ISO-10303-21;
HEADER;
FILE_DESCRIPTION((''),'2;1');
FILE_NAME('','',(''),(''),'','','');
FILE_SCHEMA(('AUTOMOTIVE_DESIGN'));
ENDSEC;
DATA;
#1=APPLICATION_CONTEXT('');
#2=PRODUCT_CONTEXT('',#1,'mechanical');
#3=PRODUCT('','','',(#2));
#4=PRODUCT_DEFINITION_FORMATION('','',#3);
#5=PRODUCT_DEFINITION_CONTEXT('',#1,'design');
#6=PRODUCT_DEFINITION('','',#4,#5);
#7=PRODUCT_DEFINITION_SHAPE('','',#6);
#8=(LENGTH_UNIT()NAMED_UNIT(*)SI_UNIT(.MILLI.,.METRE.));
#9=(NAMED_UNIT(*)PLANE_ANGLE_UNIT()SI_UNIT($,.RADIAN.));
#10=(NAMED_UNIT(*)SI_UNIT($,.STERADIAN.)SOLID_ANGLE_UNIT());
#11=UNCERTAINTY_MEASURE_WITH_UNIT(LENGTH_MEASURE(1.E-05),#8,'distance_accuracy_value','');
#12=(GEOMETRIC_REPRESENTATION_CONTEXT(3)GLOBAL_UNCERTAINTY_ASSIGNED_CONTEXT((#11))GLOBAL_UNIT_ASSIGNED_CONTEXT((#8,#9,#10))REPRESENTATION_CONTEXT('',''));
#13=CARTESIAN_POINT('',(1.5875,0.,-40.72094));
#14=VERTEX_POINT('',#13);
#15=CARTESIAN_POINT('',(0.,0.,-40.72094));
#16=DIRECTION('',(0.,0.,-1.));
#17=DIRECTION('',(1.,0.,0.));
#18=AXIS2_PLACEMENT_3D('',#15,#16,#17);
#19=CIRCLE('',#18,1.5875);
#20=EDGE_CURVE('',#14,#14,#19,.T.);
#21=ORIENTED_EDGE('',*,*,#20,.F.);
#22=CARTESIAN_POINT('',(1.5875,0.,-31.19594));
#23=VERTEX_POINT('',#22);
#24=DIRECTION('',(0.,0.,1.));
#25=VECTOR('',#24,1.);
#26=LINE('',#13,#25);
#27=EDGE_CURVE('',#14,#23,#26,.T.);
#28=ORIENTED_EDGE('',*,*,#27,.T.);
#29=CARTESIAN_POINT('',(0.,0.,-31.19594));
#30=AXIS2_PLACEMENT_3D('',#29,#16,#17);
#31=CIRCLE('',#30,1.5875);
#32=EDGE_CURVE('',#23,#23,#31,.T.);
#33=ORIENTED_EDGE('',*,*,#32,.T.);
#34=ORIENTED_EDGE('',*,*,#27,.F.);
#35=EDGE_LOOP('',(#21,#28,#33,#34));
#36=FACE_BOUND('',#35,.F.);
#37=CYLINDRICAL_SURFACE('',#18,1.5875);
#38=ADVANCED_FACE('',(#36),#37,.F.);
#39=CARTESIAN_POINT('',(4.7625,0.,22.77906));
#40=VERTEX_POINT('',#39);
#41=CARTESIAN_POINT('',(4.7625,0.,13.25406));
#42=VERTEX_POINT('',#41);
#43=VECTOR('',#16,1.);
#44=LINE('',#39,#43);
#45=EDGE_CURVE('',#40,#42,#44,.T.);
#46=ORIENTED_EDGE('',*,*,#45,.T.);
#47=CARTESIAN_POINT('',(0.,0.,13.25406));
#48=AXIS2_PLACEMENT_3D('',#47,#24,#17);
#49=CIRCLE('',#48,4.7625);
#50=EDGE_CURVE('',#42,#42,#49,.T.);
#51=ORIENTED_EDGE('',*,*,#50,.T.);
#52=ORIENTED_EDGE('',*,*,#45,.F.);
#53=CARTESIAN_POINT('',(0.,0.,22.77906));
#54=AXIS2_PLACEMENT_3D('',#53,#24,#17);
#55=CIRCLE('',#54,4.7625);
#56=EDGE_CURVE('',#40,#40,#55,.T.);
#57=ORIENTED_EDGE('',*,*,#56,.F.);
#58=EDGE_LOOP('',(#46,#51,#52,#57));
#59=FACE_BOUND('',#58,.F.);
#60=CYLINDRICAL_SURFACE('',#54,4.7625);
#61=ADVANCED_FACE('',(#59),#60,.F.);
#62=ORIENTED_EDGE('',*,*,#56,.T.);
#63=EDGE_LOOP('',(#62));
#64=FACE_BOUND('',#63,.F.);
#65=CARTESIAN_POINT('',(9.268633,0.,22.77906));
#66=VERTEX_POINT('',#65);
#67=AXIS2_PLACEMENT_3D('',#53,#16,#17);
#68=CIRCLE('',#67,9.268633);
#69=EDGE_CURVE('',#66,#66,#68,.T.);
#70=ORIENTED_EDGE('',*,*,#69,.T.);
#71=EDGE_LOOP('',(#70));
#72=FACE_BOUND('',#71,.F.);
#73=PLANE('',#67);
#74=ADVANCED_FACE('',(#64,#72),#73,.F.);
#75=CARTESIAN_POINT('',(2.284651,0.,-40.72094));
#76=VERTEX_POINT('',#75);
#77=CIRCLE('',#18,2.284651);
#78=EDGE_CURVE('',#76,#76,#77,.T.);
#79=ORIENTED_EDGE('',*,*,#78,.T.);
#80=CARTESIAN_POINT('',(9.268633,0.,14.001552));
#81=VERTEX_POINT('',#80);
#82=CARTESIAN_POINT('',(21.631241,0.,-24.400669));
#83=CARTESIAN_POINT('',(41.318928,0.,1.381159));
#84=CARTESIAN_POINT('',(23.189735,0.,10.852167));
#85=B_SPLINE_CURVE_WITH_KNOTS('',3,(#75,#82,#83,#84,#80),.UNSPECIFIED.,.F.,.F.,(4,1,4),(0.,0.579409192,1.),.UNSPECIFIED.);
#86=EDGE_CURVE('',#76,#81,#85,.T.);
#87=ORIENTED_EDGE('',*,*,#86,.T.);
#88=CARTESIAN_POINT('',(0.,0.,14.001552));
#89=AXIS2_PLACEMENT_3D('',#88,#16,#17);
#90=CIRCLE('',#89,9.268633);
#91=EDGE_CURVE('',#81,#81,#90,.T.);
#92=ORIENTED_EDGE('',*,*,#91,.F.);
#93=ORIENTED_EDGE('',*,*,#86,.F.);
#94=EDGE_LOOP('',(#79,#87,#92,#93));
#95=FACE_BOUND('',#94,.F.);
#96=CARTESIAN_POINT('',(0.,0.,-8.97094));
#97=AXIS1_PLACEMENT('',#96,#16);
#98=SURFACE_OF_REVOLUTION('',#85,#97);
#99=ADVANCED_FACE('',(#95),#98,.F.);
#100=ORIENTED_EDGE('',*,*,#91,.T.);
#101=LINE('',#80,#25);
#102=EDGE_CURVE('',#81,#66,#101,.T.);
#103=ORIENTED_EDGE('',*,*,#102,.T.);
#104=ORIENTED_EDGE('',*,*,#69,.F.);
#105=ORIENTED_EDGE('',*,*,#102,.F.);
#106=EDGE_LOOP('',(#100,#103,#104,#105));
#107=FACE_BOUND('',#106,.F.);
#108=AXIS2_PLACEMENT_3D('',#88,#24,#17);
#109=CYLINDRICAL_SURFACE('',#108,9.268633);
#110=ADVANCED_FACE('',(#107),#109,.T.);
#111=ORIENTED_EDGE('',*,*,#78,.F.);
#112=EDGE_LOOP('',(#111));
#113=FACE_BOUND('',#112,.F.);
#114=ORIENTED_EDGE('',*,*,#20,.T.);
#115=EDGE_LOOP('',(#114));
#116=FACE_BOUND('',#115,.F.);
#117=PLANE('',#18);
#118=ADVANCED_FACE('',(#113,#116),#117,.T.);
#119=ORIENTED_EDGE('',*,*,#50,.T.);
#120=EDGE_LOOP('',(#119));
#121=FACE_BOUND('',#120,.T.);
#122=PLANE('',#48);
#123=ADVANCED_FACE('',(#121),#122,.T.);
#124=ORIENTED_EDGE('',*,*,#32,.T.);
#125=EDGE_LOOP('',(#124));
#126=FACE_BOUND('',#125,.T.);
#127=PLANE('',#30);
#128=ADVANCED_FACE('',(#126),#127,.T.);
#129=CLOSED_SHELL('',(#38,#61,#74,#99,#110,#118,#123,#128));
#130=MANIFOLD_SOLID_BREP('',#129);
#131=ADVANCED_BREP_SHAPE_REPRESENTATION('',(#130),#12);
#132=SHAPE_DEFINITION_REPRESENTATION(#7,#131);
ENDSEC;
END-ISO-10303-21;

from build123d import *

# Parameters (mm, degrees)
F2_R     = 1.5875
F3_DEPTH = 9.525
F4_R     = 4.7625
F5_DEPTH = 9.525


with BuildPart() as f1:
    # F0 (on Front) → F1 (revolve)
    with BuildSketch(Plane.XZ):
        with BuildLine():
            add(Edge.make_bspline(
                [(2.2846506909, -40.7209396362), (21.63124053, -24.4006685783), (41.3189275658, 1.3811586384), (23.189734926, 10.8521669118), (9.2686334939, 14.001551751)],
                knots=[0, 0, 0, 0, 0.579409192, 1, 1, 1, 1], degree=3))
            Line((9.2686334939, 14.001551751), (9.2686334939, 22.7790603638))
            Line((9.2686334939, 22.7790603638), (0, 22.7790603638))
            Line((0, 22.7790603638), (0, -40.7209396362))
            Line((0, -40.7209396362), (2.2846506909, -40.7209396362))
        make_face()
    revolve(axis=Axis((0, 0, -8.9709396362), (0, 0, -1)))

    # F2 (on face) → F3 (cut)
    with BuildSketch(Plane(origin=(0, 0, -40.7209396362), x_dir=(1, 0, 0), z_dir=(0, 0, -1))):
        Circle(F2_R)
    extrude(amount=-F3_DEPTH, mode=Mode.SUBTRACT)

    # F4 (on face) → F5 (cut)
    with BuildSketch(Plane.XY.offset(22.7790603638)):
        Circle(F4_R)
    extrude(amount=-F5_DEPTH, mode=Mode.SUBTRACT)


solid = f1.part
